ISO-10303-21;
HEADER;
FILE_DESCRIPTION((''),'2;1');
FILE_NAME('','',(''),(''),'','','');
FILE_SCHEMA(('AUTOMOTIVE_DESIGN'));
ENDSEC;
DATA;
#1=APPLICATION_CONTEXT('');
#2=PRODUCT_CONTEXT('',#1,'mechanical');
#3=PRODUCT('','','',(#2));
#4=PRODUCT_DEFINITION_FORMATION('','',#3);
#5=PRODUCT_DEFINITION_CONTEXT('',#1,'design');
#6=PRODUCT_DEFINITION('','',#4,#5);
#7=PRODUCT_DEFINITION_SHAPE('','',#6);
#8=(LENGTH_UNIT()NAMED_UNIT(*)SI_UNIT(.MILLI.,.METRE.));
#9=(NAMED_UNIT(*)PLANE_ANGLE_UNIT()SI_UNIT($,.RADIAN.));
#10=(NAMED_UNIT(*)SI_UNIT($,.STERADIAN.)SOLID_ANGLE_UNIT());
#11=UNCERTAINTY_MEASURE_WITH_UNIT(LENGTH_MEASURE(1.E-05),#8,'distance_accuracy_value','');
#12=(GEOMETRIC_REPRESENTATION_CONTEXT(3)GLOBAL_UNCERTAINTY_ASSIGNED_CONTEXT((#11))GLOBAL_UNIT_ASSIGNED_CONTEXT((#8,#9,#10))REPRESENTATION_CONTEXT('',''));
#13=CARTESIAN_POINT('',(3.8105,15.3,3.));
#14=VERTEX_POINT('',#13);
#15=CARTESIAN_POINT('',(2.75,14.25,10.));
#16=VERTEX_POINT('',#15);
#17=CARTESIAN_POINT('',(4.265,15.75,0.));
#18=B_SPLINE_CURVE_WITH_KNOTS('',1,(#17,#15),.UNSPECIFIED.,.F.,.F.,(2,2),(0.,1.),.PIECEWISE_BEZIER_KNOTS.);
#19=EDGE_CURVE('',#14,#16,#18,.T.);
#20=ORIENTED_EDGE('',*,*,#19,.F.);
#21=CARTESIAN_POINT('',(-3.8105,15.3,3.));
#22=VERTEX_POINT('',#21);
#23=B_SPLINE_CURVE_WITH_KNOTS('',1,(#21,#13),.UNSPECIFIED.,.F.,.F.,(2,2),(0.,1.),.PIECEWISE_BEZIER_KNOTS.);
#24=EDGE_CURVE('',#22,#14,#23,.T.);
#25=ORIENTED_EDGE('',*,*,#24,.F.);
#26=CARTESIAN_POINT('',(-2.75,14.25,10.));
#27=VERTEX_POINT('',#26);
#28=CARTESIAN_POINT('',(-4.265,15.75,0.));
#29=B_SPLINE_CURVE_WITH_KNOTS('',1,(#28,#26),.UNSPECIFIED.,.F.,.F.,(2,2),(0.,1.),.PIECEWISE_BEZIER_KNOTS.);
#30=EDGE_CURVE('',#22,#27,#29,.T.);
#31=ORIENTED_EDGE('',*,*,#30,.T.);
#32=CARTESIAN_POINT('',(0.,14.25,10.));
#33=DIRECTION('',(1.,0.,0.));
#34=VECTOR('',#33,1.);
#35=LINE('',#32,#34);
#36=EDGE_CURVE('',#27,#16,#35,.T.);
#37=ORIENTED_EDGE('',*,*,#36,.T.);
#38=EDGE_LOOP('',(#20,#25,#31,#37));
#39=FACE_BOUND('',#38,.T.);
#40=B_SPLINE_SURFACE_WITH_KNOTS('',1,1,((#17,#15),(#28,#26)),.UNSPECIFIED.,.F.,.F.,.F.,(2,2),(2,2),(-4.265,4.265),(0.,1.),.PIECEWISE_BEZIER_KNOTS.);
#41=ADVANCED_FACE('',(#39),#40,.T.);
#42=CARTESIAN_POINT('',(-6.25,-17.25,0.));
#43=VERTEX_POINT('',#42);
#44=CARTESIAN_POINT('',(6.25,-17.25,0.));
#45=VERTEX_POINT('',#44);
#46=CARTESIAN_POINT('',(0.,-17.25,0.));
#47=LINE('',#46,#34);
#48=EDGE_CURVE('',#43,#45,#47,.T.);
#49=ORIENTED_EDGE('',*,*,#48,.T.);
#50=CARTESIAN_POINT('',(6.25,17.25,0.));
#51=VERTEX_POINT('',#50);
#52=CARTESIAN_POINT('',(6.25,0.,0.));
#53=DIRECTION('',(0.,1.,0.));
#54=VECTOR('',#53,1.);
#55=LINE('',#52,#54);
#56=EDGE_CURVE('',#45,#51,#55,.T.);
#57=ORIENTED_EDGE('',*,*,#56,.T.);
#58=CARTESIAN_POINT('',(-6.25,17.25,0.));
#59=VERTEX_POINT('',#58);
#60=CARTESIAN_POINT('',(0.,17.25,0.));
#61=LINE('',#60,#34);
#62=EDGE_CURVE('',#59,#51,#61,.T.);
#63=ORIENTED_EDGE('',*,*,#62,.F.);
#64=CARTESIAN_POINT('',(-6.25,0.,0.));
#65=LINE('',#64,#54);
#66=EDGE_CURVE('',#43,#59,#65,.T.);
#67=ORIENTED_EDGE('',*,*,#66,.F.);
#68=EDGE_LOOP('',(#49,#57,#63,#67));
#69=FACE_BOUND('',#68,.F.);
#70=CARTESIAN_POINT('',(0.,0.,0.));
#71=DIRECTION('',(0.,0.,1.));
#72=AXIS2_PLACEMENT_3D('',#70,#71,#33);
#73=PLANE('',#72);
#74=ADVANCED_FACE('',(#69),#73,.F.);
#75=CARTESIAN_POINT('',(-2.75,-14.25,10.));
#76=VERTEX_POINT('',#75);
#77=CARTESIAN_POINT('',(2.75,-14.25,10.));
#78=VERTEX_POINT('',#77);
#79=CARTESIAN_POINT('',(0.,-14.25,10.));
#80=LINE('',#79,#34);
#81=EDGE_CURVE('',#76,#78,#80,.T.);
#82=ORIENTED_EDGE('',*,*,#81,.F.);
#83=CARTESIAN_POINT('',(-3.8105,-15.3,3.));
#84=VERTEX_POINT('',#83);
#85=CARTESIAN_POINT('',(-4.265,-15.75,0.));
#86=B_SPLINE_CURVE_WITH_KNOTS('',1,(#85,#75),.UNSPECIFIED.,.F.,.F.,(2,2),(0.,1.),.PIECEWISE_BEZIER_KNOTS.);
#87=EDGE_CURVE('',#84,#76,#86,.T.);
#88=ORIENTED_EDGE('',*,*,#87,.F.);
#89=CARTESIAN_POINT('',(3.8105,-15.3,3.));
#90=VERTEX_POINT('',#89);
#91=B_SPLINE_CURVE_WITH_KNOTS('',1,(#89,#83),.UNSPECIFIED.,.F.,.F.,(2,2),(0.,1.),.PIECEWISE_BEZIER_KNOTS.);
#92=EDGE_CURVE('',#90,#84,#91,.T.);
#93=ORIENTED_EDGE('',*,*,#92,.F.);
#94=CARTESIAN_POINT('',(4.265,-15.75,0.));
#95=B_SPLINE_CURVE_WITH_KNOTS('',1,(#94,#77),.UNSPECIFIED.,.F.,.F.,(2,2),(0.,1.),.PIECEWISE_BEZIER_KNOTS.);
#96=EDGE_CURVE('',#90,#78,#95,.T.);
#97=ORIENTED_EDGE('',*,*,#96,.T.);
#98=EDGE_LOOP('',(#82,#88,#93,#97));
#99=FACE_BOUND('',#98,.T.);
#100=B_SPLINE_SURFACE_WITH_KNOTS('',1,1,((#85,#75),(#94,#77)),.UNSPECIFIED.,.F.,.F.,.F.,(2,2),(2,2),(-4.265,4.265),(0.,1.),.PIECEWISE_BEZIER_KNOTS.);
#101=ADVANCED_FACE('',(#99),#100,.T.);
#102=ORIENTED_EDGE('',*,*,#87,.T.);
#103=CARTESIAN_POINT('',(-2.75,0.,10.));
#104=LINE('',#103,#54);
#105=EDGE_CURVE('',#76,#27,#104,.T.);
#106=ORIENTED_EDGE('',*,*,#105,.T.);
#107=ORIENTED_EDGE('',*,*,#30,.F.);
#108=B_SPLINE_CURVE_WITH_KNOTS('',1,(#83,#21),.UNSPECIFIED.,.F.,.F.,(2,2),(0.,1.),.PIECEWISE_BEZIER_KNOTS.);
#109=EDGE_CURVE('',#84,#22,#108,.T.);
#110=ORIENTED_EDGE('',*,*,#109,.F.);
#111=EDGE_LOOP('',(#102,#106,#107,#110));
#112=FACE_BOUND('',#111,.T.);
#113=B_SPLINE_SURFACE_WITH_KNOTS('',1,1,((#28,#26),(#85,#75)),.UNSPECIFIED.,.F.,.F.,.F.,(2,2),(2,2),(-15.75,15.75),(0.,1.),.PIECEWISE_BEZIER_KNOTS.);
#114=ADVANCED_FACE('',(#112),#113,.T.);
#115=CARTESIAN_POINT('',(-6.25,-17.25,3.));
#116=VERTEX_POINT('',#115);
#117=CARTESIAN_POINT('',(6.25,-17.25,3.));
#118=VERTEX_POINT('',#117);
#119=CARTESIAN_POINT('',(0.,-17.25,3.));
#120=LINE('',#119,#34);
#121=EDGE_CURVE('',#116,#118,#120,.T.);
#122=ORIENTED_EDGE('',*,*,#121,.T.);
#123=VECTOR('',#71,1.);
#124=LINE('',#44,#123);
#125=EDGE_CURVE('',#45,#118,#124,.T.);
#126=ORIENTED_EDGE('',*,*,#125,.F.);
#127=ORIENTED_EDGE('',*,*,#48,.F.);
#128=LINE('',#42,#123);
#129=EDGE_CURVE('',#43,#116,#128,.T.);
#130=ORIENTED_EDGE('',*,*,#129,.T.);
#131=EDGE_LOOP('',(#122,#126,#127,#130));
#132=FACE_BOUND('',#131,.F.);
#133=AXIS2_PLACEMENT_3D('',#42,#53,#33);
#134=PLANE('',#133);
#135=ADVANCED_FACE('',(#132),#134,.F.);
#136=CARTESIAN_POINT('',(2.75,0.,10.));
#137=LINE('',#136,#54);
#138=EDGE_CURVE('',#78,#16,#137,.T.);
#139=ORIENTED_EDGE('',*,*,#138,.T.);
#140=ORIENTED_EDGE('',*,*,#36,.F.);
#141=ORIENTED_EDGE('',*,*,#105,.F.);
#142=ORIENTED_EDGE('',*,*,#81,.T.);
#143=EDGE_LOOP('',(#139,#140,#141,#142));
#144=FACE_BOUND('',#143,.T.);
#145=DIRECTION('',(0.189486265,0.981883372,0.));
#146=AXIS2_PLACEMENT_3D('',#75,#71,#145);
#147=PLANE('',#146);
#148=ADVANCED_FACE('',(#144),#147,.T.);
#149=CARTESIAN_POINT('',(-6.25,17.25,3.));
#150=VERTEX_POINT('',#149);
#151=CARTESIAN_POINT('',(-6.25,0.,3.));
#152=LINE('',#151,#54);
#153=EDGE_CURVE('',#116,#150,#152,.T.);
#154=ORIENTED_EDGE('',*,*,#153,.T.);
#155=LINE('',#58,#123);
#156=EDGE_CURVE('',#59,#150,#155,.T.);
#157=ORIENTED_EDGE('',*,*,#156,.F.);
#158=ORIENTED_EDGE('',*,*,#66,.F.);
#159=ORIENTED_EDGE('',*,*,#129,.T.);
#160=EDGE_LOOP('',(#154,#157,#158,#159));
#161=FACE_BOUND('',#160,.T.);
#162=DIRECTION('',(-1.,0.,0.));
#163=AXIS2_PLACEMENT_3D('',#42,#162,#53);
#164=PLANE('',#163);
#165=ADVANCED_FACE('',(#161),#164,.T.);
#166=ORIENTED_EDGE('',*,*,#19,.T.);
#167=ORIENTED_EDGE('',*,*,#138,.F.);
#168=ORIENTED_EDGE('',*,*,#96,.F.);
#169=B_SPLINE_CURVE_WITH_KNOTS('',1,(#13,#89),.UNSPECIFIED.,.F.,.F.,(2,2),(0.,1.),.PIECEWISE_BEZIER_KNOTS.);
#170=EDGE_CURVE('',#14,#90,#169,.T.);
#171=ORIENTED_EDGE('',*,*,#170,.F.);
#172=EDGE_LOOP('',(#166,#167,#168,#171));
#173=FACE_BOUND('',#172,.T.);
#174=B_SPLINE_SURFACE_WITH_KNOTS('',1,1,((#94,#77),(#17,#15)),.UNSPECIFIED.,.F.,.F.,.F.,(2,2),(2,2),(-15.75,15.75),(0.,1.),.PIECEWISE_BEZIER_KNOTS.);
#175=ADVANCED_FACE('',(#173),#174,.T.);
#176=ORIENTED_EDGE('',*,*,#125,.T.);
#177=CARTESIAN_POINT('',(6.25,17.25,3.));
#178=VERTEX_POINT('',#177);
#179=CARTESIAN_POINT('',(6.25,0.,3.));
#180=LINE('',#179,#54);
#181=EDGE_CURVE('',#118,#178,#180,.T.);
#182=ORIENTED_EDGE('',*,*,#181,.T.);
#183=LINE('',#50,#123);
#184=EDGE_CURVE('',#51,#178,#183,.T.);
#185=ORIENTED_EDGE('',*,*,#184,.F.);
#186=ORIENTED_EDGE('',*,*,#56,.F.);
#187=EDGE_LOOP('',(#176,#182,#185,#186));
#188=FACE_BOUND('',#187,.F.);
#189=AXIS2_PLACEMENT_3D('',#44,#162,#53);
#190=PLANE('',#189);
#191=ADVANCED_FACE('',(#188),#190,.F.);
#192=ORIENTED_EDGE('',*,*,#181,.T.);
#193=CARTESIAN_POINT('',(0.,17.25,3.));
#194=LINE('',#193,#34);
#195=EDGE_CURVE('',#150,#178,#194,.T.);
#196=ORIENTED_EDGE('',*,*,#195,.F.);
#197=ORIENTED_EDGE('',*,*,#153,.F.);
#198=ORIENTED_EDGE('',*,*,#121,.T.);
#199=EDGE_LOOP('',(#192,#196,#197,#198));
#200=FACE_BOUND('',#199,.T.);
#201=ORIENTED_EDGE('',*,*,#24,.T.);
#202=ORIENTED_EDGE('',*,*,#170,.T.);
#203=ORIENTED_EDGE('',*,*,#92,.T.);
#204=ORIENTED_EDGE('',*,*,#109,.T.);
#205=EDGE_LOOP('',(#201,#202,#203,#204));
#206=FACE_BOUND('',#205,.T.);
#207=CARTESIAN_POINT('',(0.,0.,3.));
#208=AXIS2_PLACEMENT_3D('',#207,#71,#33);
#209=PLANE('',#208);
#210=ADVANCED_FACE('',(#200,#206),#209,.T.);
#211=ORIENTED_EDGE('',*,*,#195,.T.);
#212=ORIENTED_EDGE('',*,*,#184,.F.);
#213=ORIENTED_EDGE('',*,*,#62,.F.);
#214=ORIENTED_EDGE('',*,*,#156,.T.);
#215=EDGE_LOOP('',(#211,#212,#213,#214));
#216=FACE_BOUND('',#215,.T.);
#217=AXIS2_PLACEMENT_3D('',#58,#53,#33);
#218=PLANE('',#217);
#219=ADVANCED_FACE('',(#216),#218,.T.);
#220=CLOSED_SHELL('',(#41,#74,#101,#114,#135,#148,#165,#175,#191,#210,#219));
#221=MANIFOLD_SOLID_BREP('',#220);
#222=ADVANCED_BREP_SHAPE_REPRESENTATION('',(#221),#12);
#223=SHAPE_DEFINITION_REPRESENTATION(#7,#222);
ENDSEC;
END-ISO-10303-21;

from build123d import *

# Parameters (mm, degrees)
F0_W     = 8.53
F0_H     = 31.5
F2_W     = 5.5
F2_H     = 28.5
F4_W     = 12.5
F4_H     = 34.5
F5_DEPTH = 3


with BuildPart() as f3:
    # F0 (on Top) → F3 section 0
    with BuildSketch(Plane.XY):
        Rectangle(F0_W, F0_H)
    # F2 (on offset) → F3 section 1
    with BuildSketch(Plane.XY.offset(10)):
        Rectangle(F2_W, F2_H)
    loft()

    # F4 (on Top) → F5 (join)
    with BuildSketch(Plane.XY):
        Rectangle(F4_W, F4_H)
    extrude(amount=F5_DEPTH)


solid = f3.part
